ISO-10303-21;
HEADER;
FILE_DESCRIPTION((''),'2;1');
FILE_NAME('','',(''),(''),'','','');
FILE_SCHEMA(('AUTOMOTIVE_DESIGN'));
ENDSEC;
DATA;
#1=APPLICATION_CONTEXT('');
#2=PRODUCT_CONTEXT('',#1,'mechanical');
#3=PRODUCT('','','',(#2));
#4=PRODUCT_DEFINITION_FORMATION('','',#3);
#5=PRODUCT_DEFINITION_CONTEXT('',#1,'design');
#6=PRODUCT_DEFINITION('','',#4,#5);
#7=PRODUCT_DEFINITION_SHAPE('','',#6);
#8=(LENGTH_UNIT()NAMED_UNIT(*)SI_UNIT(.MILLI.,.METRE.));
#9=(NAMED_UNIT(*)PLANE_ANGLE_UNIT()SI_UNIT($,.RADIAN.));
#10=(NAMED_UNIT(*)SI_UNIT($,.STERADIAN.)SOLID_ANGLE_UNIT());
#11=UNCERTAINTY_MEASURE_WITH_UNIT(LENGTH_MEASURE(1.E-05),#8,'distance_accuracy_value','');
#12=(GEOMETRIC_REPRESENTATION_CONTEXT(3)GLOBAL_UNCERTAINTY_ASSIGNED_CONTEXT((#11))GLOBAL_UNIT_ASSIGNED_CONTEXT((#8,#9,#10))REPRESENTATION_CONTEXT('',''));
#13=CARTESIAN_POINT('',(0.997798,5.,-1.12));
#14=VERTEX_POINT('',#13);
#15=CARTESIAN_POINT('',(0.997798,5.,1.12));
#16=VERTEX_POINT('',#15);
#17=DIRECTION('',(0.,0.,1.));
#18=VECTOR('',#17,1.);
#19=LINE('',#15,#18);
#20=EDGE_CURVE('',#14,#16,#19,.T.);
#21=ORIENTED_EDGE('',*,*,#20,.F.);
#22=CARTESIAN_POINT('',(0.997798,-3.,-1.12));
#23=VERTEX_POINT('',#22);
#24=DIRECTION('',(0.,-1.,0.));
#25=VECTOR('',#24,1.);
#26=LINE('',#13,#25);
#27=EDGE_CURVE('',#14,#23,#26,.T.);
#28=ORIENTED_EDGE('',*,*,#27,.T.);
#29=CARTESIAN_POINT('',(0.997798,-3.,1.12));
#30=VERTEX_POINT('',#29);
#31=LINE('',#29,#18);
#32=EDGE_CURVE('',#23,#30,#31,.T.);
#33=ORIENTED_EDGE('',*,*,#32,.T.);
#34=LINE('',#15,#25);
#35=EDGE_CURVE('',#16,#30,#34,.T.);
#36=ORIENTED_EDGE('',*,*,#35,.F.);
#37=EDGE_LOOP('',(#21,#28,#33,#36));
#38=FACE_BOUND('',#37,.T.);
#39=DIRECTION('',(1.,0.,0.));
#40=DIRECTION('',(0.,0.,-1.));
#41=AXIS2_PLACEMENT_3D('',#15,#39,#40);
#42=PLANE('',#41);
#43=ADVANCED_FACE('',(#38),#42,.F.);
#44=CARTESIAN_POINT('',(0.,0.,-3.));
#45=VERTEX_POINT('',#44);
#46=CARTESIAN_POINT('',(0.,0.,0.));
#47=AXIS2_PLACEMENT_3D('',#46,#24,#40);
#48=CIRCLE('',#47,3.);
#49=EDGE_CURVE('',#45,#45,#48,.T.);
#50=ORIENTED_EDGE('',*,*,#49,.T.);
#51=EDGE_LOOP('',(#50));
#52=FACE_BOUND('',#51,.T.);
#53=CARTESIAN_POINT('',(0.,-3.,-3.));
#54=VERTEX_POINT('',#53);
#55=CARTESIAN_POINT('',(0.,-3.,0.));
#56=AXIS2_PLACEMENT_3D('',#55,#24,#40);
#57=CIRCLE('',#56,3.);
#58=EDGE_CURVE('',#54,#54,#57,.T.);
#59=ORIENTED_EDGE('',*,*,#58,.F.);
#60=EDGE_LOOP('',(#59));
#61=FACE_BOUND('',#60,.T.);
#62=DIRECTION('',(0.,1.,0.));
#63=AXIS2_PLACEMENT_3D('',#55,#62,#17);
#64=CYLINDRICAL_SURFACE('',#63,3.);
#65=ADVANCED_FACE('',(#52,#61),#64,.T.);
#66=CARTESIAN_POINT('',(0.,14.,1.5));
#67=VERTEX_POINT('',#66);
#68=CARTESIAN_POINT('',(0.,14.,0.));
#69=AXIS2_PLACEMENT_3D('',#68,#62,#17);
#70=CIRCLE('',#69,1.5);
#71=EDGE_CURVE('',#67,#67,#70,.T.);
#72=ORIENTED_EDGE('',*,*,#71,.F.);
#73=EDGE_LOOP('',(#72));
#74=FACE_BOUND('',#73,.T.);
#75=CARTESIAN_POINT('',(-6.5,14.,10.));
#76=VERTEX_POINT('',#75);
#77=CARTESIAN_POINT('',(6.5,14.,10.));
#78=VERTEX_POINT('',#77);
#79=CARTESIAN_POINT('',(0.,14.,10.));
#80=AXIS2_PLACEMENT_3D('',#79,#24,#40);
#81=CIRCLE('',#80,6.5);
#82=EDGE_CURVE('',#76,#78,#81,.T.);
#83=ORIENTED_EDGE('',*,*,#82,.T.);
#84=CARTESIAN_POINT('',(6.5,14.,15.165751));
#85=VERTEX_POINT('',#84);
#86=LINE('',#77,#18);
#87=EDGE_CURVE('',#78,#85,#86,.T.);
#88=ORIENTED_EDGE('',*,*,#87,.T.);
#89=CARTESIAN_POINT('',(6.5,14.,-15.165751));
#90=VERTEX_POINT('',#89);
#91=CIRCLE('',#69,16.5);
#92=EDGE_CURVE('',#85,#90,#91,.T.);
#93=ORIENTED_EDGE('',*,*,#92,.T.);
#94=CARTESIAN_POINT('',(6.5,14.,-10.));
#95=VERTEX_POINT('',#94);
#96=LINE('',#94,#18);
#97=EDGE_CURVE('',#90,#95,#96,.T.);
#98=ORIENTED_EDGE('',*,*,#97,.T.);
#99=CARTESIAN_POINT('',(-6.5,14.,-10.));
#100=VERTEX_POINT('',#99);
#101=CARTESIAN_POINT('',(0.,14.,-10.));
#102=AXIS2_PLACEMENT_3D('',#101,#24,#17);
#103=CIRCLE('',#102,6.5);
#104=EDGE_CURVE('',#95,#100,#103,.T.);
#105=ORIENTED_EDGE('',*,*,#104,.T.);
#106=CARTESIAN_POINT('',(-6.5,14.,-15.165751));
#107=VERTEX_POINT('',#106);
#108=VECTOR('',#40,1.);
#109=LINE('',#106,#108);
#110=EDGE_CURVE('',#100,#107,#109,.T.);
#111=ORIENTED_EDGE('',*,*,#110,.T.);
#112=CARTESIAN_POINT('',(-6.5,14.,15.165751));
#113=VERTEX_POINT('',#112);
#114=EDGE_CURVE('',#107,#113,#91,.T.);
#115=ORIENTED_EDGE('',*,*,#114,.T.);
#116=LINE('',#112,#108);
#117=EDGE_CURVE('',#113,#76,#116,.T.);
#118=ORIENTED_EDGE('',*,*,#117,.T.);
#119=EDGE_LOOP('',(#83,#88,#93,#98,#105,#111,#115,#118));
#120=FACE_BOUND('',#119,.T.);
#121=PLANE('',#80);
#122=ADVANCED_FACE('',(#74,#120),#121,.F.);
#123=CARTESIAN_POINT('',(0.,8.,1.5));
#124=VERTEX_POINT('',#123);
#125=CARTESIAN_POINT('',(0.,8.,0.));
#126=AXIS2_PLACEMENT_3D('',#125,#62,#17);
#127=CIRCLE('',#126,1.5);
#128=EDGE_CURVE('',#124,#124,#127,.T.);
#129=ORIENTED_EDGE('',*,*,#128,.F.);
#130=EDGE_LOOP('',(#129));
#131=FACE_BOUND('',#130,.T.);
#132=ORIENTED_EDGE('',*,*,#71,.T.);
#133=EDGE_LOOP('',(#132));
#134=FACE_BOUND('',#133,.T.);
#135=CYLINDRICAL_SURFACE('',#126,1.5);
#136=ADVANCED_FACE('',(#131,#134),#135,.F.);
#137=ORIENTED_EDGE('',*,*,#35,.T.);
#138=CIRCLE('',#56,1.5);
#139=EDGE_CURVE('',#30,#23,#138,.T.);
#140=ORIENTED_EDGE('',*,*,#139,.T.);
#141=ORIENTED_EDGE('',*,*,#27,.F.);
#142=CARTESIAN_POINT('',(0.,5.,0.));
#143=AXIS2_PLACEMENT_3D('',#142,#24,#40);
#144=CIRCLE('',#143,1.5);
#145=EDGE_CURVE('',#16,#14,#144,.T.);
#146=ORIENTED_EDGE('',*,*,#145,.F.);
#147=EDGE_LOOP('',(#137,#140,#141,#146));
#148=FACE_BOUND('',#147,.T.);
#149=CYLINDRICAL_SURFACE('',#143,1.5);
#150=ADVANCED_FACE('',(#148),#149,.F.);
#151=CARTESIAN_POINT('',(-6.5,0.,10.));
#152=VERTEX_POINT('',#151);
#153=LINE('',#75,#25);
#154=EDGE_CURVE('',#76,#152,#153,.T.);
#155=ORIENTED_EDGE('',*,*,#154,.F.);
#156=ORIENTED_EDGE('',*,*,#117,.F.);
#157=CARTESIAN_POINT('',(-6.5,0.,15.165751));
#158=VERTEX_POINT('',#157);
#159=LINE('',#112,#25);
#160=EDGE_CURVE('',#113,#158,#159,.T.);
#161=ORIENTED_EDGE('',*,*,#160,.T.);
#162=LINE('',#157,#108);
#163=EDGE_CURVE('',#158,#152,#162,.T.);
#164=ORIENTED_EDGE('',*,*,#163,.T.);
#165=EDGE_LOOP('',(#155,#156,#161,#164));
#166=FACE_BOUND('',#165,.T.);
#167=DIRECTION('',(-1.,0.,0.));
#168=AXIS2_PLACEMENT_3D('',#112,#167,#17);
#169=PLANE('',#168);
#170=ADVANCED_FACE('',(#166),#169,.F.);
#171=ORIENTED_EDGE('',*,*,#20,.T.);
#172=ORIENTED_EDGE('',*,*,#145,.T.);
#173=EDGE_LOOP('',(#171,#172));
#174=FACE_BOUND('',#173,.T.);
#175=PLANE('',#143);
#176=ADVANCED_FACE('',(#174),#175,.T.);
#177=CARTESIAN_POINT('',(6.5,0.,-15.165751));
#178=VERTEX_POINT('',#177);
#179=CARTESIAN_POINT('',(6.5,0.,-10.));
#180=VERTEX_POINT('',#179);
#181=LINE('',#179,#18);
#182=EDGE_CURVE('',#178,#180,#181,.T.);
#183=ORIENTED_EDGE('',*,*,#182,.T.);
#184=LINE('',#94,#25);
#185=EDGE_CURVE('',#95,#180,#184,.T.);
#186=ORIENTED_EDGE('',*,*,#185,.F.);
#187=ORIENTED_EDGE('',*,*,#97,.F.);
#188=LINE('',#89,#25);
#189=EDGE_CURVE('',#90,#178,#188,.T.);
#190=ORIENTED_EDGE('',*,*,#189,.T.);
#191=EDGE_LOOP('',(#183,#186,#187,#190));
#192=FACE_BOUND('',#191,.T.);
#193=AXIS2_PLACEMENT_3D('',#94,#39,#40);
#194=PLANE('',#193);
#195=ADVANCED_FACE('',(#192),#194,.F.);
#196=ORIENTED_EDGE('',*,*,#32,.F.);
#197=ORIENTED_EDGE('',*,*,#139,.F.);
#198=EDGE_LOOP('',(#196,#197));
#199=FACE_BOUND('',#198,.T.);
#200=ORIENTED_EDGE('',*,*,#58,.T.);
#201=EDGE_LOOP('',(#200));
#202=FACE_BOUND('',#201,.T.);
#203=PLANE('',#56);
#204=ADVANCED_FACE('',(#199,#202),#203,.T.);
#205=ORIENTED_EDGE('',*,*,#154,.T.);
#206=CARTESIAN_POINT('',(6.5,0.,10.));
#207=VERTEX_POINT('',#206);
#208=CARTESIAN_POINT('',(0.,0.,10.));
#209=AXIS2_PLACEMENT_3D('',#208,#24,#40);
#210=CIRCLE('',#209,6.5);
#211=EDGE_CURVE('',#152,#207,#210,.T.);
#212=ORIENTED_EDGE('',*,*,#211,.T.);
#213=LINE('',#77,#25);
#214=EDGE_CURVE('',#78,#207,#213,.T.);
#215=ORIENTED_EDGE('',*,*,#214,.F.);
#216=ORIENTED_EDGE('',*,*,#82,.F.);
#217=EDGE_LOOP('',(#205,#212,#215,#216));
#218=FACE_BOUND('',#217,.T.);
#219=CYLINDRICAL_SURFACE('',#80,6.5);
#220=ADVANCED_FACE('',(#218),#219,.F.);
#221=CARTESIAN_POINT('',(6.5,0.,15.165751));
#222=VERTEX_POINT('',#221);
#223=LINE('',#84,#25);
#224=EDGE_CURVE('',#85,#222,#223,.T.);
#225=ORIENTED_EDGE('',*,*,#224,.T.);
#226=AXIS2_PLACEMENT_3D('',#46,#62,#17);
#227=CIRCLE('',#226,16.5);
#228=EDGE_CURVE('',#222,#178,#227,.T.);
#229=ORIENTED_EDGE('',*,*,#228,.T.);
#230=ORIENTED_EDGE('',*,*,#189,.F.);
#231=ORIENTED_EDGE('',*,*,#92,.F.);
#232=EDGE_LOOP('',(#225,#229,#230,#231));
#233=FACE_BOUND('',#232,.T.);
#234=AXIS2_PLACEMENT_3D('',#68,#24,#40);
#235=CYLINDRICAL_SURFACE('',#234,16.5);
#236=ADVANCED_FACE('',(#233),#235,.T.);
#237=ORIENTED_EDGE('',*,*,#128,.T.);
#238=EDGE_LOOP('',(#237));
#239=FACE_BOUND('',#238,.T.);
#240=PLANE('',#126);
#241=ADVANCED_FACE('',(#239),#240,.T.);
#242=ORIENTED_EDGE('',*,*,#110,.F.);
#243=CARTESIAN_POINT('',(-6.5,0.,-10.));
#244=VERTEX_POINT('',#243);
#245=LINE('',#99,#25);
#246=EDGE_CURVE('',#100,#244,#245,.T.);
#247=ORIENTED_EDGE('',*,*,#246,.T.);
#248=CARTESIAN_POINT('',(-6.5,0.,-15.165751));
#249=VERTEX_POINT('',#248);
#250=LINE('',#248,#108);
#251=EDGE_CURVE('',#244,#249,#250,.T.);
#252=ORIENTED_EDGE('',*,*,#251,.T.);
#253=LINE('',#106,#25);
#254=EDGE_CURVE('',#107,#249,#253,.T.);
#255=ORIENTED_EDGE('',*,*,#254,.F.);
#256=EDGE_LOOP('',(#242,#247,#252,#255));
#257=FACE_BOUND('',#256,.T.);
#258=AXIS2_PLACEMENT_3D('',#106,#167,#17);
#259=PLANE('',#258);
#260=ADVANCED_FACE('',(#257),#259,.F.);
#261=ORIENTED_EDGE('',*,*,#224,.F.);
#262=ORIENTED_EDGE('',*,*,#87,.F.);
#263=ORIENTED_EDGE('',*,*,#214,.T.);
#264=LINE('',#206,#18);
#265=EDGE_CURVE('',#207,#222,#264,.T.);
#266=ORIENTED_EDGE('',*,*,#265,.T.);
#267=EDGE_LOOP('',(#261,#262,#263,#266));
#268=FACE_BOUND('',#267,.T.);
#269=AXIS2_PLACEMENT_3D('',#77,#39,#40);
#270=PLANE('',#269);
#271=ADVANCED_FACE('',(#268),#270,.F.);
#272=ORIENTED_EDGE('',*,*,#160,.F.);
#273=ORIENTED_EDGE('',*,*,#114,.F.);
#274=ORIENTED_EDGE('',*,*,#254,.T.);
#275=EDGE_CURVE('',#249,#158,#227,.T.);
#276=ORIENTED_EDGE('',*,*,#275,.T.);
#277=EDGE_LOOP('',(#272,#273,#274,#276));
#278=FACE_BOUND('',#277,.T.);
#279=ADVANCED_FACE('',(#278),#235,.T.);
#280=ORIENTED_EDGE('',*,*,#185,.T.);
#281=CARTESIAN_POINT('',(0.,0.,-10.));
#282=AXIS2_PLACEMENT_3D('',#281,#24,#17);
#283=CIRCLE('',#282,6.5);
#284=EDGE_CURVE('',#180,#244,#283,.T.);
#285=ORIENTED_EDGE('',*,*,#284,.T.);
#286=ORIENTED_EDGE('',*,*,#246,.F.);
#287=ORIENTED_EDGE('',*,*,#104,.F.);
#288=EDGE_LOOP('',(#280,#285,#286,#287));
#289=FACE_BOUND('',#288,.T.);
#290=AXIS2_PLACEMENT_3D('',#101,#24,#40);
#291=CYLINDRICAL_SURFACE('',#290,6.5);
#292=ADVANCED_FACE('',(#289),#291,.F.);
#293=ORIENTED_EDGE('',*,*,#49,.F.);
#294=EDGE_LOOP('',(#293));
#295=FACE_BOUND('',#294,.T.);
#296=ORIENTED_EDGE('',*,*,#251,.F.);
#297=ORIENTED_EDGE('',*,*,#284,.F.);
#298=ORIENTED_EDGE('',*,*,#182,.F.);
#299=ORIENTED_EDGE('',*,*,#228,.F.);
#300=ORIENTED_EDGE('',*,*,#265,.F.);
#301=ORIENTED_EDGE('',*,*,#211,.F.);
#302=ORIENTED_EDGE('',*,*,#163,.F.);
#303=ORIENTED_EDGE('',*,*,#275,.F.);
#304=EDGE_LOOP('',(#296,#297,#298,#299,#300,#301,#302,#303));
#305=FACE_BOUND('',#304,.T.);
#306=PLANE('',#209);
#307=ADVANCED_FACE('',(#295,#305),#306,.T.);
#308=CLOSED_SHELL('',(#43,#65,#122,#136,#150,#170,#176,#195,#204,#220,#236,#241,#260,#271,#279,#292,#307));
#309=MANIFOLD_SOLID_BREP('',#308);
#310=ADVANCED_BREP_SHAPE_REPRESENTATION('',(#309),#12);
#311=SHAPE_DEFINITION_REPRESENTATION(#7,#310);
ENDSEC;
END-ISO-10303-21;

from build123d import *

# Parameters (mm, degrees)
BOSS_EXTRUDE1_DEPTH = 14
SKETCH2_R           = 3
BOSS_EXTRUDE2_DEPTH = 3
CUT_EXTRUDE1_DEPTH  = 8
CUT_EXTRUDE2_START  = -6
SKETCH4_R           = 1.5
CUT_EXTRUDE2_DEPTH  = 6


with BuildPart() as part:
    # Sketch1 → Boss-Extrude1 (new body)
    with BuildSketch(Plane(origin=(0, 0, 0), x_dir=(1, 0, 0), z_dir=(0, 1, 0))):
        with BuildLine():
            Line((-6.5, 15.165750888), (-6.5, 10))
            ThreePointArc((-6.5, 10), (0, 3.5), (6.5, 10))
            Line((6.5, 10), (6.5, 15.165750888))
            ThreePointArc((6.5, 15.165750888), (16.5, 0), (6.5, -15.165750888))
            Line((6.5, -15.165750888), (6.5, -10))
            ThreePointArc((6.5, -10), (0, -3.5), (-6.5, -10))
            Line((-6.5, -10), (-6.5, -15.165750888))
            ThreePointArc((-6.5, -15.165750888), (-16.5, 0), (-6.5, 15.165750888))
        make_face()
    extrude(amount=BOSS_EXTRUDE1_DEPTH)

    # Sketch2 → Boss-Extrude2 (add)
    with BuildSketch(Plane.XZ):
        Circle(SKETCH2_R)
    extrude(amount=BOSS_EXTRUDE2_DEPTH)

    # Sketch3 → Cut-Extrude1 (cut)
    with BuildSketch(Plane.XZ.offset(3)):
        with BuildLine():
            Line((0.997797575, 1.12), (0.997797575, -1.12))
            ThreePointArc((0.997797575, -1.12), (-1.5, 0), (0.997797575, 1.12))
        make_face()
    extrude(amount=-CUT_EXTRUDE1_DEPTH, mode=Mode.SUBTRACT)

    # Sketch4 → Cut-Extrude2 (cut)
    with BuildSketch(Plane(origin=(0, 14, 0), x_dir=(1, 0, 0), z_dir=(0, 1, 0)).offset(CUT_EXTRUDE2_START)):
        Circle(SKETCH4_R)
    extrude(amount=CUT_EXTRUDE2_DEPTH, mode=Mode.SUBTRACT)


solid = part.part
